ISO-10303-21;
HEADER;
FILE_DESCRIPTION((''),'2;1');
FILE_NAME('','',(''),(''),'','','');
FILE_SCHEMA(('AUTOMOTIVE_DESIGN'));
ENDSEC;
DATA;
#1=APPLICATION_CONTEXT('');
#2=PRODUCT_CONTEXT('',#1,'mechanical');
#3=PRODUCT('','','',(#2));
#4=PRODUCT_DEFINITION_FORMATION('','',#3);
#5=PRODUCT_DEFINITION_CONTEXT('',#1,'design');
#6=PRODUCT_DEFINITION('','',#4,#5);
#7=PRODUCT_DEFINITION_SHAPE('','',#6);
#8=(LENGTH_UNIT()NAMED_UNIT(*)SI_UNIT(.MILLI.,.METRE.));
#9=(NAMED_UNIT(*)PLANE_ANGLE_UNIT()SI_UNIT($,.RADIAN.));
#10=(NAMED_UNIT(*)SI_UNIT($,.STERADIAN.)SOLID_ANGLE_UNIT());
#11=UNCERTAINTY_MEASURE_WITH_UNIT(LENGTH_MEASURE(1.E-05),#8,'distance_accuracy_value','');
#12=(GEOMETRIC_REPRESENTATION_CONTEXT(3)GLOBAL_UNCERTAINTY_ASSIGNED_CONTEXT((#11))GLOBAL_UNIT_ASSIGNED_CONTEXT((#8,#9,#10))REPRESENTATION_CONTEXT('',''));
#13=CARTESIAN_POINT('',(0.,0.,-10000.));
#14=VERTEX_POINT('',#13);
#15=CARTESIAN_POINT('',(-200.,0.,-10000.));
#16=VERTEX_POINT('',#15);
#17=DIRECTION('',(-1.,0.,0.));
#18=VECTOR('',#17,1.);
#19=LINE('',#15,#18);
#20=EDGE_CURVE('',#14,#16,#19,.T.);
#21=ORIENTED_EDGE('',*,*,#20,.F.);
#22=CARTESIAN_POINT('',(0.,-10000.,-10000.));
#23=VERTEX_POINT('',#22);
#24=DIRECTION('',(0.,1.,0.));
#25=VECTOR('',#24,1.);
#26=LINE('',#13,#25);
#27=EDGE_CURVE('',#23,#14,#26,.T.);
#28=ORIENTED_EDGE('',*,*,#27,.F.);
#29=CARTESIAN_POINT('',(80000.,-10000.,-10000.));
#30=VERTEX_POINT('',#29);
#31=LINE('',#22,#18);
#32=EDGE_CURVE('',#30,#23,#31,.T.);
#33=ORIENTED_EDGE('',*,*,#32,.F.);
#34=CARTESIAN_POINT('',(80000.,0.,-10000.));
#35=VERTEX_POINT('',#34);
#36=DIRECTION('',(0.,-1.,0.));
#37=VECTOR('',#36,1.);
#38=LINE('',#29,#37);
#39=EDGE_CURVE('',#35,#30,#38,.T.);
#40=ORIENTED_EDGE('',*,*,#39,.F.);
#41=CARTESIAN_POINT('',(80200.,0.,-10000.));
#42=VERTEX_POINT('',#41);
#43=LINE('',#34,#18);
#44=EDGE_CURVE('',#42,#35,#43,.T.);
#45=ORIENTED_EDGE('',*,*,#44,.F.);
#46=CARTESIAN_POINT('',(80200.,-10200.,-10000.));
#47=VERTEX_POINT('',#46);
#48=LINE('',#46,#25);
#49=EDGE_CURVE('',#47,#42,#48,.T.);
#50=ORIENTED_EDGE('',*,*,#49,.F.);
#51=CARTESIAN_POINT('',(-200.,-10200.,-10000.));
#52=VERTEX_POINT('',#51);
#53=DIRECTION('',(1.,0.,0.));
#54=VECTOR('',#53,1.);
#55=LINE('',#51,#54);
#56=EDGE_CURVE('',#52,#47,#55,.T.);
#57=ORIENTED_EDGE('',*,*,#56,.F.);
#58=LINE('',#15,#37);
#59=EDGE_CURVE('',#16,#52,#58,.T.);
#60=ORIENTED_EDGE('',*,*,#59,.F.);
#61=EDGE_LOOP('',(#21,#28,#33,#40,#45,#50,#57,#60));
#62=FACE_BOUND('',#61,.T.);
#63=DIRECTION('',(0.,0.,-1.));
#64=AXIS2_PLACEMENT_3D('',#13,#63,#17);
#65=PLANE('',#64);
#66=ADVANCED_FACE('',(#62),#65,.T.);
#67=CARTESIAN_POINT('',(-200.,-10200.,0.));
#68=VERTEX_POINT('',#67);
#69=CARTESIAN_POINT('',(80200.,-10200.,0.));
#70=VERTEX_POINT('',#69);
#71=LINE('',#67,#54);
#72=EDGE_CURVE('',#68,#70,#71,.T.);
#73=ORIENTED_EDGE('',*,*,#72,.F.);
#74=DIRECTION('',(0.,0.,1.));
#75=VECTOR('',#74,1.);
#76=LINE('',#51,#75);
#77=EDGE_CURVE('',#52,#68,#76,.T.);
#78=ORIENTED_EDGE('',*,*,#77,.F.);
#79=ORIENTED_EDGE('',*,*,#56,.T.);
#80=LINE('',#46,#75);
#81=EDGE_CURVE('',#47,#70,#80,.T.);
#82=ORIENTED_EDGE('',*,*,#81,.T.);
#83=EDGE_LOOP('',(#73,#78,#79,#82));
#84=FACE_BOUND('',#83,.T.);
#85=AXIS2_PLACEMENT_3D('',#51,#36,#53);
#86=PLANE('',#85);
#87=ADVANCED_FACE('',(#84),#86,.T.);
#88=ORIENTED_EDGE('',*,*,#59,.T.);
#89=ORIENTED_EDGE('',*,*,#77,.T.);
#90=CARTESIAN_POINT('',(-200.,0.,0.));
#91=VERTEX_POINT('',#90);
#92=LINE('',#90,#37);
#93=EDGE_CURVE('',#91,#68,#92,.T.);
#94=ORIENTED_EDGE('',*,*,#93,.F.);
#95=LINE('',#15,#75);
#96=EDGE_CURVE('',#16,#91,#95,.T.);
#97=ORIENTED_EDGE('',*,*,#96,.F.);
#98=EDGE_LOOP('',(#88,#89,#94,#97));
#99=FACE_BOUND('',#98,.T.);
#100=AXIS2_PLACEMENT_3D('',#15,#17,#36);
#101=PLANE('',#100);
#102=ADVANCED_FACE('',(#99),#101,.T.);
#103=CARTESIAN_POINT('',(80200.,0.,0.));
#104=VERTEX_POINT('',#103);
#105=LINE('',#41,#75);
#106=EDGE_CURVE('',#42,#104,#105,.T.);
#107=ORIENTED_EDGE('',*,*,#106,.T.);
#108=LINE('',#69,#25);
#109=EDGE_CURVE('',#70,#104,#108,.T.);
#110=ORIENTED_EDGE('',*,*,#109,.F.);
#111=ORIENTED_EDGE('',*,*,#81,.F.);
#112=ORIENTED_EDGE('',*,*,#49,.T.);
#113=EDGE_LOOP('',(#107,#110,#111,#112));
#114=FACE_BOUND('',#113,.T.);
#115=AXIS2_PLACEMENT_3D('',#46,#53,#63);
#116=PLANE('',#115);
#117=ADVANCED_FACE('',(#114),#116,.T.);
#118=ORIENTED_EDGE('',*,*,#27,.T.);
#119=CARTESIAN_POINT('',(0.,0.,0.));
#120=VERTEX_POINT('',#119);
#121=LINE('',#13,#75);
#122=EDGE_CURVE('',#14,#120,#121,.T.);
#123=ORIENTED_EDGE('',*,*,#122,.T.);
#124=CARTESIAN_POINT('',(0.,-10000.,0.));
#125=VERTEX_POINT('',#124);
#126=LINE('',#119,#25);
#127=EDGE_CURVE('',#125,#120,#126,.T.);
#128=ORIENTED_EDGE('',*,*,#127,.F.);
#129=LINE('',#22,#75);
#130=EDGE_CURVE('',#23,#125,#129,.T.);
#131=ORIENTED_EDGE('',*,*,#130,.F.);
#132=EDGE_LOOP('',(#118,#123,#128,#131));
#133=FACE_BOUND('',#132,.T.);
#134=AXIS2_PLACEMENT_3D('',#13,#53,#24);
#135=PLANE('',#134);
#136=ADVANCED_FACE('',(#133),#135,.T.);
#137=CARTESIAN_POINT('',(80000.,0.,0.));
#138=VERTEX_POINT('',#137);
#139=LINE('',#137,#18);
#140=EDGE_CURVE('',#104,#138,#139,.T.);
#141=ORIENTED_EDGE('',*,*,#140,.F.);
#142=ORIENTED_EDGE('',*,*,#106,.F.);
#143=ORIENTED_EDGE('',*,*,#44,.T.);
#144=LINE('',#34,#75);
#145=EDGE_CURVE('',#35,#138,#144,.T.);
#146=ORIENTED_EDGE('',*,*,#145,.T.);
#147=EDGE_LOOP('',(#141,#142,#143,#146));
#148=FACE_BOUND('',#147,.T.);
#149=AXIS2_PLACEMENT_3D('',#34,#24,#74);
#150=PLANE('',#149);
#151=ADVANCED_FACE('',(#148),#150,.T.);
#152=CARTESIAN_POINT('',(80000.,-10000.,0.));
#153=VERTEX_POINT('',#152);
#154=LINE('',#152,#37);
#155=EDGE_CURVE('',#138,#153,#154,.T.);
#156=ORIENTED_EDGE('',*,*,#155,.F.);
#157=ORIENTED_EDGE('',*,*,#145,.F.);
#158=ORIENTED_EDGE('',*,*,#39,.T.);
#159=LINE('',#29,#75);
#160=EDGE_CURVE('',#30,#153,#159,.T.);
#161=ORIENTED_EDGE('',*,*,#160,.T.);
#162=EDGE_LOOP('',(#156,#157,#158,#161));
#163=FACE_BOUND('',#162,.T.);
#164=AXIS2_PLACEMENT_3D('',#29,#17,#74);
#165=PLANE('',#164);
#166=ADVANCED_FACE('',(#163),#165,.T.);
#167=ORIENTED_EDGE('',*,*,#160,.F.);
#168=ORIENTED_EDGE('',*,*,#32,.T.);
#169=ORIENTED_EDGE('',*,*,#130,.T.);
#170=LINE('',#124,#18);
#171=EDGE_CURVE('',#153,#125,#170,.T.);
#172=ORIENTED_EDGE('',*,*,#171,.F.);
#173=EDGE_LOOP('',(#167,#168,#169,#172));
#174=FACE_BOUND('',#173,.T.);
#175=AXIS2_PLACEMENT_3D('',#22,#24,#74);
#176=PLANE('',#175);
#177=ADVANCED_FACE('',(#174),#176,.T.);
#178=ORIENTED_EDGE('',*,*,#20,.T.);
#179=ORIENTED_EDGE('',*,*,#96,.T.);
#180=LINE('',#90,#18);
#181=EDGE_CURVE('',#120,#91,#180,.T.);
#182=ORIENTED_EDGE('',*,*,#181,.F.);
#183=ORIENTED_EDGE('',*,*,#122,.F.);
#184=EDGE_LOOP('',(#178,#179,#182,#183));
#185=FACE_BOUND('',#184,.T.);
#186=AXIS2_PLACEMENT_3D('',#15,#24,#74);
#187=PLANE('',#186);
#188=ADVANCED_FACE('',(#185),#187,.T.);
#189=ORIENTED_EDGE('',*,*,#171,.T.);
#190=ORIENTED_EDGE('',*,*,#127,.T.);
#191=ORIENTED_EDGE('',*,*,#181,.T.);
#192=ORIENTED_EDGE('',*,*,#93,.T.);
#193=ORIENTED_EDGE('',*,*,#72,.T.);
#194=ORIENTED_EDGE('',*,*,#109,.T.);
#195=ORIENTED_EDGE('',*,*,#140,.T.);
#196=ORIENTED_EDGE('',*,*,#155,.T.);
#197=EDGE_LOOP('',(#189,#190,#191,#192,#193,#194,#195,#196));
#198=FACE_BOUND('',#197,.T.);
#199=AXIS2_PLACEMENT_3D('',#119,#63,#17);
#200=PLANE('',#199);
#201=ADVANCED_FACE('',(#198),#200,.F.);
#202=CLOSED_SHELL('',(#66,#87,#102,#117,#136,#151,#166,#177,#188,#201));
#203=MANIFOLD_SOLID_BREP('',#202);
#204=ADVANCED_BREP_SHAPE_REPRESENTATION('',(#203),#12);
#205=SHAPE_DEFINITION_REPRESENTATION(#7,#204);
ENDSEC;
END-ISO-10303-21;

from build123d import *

# Parameters (mm, degrees)
BOSS_EXTRUDE1_DEPTH = 10000


with BuildPart() as part:
    # Sketch2 → Boss-Extrude1 (new body)
    with BuildSketch(Plane.XY):
        Polygon((0, 0), (0, -10000), (80000, -10000), (80000, 0), (80200, 0), (80200, -10200), (-200, -10200), (-200, 0), align=None)
    extrude(amount=-BOSS_EXTRUDE1_DEPTH)


solid = part.part
